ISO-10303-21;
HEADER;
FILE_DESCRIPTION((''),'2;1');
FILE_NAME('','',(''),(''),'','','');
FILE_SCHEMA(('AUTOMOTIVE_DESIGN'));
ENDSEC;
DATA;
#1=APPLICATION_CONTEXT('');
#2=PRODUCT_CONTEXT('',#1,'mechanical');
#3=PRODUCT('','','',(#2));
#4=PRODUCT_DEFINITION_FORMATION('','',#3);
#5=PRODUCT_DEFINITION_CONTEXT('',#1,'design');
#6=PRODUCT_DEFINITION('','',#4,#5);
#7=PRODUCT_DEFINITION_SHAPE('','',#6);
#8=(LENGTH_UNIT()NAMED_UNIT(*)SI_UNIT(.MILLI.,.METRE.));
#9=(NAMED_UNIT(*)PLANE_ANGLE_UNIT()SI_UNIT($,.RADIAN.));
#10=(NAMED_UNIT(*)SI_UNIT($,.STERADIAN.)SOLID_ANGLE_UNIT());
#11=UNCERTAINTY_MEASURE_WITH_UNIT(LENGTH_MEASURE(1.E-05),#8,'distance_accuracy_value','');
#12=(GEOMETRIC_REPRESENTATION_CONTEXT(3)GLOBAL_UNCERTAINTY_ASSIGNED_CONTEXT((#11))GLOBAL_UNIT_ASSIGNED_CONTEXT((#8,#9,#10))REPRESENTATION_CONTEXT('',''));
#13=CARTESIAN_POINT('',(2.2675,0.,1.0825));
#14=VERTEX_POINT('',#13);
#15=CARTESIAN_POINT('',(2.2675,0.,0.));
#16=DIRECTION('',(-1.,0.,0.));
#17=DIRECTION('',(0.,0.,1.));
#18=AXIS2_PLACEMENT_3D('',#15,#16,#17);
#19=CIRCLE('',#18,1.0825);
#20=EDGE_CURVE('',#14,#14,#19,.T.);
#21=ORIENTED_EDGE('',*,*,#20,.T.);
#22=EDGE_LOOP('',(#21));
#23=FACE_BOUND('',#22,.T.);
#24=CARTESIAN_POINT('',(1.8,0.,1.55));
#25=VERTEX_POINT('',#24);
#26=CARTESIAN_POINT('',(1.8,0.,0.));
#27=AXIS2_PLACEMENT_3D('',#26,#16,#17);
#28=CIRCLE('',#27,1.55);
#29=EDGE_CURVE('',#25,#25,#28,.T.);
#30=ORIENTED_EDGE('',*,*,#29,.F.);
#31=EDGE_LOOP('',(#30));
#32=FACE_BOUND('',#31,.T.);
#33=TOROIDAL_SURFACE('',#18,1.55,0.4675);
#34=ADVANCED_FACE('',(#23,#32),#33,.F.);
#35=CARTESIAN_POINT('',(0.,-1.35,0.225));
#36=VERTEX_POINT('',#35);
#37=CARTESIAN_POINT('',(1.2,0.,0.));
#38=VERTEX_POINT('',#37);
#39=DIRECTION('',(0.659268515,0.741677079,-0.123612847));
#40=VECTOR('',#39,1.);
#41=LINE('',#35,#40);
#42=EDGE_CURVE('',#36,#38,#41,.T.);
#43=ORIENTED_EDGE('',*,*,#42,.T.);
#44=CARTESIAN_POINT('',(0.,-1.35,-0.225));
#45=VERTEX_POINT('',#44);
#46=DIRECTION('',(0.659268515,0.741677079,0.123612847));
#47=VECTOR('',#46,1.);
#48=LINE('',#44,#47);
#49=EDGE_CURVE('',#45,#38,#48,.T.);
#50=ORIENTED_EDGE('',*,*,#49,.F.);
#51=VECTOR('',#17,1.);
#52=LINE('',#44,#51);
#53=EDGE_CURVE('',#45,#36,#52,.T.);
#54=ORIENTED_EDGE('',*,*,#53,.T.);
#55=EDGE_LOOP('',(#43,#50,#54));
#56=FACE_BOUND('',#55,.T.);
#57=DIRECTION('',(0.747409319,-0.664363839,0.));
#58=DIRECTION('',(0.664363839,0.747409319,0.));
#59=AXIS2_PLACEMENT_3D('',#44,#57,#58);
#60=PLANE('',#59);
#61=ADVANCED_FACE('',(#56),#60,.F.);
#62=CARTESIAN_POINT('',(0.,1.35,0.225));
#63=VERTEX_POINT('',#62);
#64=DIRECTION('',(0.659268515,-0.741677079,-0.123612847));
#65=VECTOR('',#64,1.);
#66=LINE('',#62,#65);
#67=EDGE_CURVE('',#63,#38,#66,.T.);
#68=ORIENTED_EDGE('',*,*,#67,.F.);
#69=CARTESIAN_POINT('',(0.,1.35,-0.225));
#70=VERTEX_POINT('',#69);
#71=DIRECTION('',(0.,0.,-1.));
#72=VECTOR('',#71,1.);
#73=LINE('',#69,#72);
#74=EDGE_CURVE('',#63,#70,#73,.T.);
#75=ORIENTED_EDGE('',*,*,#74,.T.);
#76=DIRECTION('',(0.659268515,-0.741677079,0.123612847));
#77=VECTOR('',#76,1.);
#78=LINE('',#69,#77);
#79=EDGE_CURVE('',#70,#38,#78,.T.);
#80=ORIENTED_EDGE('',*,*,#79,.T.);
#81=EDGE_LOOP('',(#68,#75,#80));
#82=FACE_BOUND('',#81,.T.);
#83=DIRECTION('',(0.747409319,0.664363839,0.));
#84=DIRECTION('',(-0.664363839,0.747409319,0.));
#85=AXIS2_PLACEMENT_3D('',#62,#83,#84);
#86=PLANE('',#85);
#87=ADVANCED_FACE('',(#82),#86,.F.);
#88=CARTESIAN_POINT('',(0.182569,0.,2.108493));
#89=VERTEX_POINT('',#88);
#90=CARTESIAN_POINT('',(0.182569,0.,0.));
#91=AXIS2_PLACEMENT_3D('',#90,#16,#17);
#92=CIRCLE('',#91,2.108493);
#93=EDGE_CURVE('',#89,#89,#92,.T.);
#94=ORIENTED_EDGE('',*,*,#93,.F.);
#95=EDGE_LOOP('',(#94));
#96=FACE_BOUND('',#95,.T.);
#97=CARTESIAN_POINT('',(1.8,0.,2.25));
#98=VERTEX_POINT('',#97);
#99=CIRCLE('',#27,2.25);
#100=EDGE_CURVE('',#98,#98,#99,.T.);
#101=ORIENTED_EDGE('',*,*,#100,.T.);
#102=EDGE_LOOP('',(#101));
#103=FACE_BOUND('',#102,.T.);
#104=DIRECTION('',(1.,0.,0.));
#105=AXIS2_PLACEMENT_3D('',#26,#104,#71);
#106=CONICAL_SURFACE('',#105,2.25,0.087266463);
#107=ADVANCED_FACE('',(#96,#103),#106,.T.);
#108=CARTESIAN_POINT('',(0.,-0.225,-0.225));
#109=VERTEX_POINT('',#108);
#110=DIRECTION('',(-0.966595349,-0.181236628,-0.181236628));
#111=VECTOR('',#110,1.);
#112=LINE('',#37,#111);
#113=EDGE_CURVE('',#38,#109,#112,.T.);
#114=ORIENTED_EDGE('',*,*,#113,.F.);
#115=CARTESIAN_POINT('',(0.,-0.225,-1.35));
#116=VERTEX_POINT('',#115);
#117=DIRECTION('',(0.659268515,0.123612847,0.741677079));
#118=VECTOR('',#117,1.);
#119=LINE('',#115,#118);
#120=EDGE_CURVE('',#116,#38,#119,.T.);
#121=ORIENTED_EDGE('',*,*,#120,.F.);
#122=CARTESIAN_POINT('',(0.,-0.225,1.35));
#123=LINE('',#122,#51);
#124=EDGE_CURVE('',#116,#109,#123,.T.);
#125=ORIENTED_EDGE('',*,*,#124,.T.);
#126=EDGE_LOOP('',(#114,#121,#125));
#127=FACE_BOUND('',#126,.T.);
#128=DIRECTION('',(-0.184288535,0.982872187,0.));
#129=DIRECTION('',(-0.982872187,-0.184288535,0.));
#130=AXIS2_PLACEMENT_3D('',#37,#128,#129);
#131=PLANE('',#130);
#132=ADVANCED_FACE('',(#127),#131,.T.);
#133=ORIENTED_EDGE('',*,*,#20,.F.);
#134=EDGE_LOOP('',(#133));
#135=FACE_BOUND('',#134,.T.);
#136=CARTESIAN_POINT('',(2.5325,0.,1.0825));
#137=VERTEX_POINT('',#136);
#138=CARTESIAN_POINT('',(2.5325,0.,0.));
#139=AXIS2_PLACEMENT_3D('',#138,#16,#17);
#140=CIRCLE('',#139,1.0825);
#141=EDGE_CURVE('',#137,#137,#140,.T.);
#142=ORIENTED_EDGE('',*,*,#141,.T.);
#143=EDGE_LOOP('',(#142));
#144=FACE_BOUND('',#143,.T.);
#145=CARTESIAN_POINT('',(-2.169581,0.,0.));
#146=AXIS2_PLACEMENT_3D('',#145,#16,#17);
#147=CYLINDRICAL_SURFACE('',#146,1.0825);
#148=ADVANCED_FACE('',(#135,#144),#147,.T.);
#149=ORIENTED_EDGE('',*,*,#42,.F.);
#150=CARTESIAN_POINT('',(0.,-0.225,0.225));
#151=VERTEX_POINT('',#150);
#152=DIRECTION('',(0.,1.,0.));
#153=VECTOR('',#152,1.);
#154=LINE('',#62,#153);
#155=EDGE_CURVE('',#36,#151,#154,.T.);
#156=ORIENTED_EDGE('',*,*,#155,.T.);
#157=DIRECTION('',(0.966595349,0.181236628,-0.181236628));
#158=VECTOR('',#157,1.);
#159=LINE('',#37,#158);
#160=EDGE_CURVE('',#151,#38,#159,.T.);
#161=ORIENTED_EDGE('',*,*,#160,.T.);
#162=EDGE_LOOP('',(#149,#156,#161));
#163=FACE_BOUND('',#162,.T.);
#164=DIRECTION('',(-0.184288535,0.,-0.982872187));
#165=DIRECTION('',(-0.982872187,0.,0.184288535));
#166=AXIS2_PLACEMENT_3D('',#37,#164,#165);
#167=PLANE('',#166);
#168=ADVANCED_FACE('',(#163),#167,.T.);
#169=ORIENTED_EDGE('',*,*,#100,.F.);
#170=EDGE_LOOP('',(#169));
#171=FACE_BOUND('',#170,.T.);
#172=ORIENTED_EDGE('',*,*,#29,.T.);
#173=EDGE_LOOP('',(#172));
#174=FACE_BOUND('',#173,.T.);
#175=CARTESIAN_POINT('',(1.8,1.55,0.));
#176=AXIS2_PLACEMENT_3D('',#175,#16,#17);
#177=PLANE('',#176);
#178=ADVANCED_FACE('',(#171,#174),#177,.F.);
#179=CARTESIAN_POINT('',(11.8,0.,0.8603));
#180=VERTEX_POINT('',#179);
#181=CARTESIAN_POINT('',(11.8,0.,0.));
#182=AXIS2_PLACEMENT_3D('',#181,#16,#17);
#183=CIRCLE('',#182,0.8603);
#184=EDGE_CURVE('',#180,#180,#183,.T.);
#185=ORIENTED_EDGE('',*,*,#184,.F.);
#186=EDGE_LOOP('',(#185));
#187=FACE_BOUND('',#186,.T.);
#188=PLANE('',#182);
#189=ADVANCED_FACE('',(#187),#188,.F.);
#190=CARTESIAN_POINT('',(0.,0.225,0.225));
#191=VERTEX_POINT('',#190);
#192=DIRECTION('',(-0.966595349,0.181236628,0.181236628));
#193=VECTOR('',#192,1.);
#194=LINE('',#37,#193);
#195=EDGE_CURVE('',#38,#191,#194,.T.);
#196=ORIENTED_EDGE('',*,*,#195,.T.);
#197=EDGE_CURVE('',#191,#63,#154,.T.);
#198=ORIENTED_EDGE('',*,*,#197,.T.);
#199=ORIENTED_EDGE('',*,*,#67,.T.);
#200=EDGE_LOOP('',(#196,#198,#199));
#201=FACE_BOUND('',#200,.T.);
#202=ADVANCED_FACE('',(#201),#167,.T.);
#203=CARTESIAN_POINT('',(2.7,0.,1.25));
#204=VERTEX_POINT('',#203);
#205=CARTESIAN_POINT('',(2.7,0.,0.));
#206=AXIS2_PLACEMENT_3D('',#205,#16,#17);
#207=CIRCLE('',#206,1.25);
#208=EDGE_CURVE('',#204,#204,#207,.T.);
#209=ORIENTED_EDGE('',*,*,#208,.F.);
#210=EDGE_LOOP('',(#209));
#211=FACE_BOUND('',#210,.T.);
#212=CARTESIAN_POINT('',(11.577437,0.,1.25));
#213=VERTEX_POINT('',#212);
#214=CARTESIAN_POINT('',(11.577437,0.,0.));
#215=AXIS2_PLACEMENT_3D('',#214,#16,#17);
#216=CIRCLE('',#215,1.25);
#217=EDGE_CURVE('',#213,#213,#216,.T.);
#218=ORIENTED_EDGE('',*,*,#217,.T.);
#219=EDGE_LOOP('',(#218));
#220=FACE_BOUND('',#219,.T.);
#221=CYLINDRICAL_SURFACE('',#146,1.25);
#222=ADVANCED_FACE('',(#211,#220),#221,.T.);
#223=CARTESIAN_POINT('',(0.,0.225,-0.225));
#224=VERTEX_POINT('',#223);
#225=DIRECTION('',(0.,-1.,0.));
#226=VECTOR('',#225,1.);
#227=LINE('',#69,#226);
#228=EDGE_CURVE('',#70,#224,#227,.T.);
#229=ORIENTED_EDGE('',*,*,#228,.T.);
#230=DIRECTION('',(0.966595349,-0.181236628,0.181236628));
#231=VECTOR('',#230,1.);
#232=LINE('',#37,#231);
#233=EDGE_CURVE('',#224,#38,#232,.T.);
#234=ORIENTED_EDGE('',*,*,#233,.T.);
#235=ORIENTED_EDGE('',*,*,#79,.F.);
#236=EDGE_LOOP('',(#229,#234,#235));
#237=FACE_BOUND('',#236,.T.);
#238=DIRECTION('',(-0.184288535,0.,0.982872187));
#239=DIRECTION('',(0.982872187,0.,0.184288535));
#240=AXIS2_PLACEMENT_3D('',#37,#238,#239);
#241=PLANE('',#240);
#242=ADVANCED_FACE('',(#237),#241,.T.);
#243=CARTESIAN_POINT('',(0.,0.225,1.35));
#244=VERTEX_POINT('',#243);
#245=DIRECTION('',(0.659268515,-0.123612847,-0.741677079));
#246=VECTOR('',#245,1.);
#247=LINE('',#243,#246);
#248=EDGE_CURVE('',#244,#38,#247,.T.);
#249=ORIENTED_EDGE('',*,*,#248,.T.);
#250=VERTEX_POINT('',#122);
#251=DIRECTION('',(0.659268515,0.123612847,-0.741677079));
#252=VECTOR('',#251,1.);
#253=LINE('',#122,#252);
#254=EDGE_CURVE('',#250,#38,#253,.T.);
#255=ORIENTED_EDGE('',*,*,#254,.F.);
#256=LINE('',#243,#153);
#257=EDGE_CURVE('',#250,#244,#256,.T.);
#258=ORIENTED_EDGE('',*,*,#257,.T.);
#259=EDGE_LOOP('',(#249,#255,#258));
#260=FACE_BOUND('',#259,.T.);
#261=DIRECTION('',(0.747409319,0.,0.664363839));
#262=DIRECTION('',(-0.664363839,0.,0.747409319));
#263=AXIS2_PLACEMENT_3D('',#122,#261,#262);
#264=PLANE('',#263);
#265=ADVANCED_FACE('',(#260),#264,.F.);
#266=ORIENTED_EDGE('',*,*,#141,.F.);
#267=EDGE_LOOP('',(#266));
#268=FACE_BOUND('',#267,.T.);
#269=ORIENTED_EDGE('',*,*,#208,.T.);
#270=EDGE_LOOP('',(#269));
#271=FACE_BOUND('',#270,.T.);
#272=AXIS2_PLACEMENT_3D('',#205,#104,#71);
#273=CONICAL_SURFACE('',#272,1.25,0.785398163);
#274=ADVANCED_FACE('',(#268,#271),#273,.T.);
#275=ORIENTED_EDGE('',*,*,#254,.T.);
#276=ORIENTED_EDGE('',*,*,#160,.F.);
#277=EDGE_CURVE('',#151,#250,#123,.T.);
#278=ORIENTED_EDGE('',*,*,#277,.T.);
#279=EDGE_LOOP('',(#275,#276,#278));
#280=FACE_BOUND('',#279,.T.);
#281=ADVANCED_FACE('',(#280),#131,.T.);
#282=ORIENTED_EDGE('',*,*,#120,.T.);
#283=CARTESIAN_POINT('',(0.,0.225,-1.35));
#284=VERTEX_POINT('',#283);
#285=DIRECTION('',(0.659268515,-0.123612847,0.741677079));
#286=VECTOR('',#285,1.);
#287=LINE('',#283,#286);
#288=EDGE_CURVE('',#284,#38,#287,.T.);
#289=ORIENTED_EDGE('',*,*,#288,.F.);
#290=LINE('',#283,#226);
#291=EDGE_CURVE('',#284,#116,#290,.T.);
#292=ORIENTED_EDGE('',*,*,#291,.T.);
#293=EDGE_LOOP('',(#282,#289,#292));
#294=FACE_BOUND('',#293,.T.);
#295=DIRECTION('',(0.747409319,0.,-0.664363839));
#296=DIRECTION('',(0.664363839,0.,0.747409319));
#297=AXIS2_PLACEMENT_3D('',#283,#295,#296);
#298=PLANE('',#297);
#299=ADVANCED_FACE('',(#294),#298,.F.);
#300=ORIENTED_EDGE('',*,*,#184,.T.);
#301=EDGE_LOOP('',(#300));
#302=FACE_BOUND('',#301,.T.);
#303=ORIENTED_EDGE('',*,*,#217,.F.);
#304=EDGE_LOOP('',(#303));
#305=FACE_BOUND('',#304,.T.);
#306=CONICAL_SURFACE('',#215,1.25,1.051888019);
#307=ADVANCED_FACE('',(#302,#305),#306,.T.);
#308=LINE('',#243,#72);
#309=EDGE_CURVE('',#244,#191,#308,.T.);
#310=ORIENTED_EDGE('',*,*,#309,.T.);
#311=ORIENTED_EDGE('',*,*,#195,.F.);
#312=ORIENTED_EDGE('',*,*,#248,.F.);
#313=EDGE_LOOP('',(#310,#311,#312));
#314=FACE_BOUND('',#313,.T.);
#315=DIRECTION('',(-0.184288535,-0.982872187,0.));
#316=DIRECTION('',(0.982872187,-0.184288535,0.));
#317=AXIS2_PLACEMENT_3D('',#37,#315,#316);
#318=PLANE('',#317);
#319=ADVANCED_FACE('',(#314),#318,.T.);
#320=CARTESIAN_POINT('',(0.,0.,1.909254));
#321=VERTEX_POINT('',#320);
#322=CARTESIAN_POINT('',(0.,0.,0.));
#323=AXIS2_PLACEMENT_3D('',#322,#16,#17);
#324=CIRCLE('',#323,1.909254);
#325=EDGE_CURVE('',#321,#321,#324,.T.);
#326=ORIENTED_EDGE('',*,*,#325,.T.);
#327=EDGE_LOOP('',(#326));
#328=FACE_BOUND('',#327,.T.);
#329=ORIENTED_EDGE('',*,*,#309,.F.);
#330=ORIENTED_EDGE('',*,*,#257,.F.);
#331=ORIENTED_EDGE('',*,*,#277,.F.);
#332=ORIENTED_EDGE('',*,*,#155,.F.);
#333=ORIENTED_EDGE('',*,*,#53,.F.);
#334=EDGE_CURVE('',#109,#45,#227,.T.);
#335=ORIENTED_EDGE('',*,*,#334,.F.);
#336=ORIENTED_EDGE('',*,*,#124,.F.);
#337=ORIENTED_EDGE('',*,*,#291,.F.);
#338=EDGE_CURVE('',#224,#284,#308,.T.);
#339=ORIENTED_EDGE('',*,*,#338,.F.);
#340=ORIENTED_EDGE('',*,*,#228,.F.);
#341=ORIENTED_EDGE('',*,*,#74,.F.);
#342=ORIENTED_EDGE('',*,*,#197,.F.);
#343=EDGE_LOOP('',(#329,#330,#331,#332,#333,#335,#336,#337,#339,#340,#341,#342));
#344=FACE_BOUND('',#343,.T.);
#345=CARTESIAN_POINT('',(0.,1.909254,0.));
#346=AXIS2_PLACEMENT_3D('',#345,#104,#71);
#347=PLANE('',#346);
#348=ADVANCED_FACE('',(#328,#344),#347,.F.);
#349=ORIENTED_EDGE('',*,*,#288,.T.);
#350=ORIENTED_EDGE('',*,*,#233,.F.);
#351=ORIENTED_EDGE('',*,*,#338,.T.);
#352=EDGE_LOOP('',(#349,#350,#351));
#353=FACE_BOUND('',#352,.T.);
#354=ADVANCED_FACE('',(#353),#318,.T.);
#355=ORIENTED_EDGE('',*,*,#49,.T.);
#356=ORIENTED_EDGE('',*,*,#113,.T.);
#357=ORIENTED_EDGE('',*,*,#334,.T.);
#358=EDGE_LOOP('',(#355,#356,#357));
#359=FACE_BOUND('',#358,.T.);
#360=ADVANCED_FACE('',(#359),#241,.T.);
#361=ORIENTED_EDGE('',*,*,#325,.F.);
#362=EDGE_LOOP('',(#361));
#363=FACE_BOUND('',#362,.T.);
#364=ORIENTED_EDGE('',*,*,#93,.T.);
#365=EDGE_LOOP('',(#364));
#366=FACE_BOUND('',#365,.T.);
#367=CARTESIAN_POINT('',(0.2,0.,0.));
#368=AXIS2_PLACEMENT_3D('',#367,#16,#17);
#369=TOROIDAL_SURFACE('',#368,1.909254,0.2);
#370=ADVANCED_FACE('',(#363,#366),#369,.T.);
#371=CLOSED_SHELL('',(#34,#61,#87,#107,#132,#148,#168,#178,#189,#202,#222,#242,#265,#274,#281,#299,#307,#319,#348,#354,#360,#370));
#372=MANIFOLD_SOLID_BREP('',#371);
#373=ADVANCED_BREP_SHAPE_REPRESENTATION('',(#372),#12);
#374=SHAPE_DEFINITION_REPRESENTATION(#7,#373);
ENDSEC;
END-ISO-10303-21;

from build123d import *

# Parameters (mm, degrees)
PATTERN_CIRCULAR_1_COUNT = 2
PATTERN_CIRCULAR_1_ANGLE = 90


with BuildPart() as part:
    # 草图3 → Revolve 850 (revolve)
    with BuildSketch(Plane.XY, mode=Mode.PRIVATE) as revolve_850_sk:
        with BuildLine():
            Line((0, 0), (11.8, 0))
            Line((11.8, 0), (11.8, 1.25))
            Line((11.8, 1.25), (2.7, 1.25))
            Line((2.7, 1.25), (2.5325, 1.0825))
            Line((2.5325, 1.0825), (2.2675, 1.0825))
            ThreePointArc((2.2675, 1.0825), (1.93692758, 1.21942758), (1.8, 1.55))
            Line((1.8, 1.55), (1.8, 2.25))
            Line((1.8, 2.25), (0.182568851, 2.10849311))
            ThreePointArc((0.182568851, 2.10849311), (0.052544533, 2.044372212), (0, 1.909254171))
            Line((0, 1.909254171), (0, 0))
        make_face()
    revolve(revolve_850_sk.sketch.rotate(Axis((-2.16958059, 0, 0), (1, 0, 0)), 90), axis=Axis((-2.16958059, 0, 0), (1, 0, 0)))

    # 草图4 → 切除-旋转1 (revolve, cut)
    with BuildSketch(Plane.XY, mode=Mode.PRIVATE) as cut_revolve_1_sk:
        Polygon((11.577437203, 1.25), (12.027437203, 1.25), (11.8, 0.8603), align=None)
    revolve(cut_revolve_1_sk.sketch.rotate(Axis((-0.21798541, 0, 0), (1, 0, 0)), 90), axis=Axis((-0.21798541, 0, 0), (1, 0, 0)), mode=Mode.SUBTRACT)

    # 草图5 → 切除-放样1 section 0
    with BuildSketch(Plane.ZY, mode=Mode.PRIVATE) as loft_1_s0:
        with BuildLine():
            Line((-0.225, 1.35), (0.225, 1.35))
            Line((0.225, 1.35), (0.225, -1.35))
            Line((0.225, -1.35), (-0.225, -1.35))
            Line((-0.225, -1.35), (-0.225, 1.35))
        make_face()
    loft_1 = loft([loft_1_s0.sketch, Vertex(1.2, 0, 0)], mode=Mode.SUBTRACT)

    # 阵列(圆周)1: 切除-放样1 ×2 about axis
    pattern_circular_1_axis = Axis((0, 0, 0), (1, 0, 0))
    for i in range(1, PATTERN_CIRCULAR_1_COUNT):
        add(loft_1.rotate(pattern_circular_1_axis, i * PATTERN_CIRCULAR_1_ANGLE / (PATTERN_CIRCULAR_1_COUNT - 1)), mode=Mode.SUBTRACT)


solid = part.part
